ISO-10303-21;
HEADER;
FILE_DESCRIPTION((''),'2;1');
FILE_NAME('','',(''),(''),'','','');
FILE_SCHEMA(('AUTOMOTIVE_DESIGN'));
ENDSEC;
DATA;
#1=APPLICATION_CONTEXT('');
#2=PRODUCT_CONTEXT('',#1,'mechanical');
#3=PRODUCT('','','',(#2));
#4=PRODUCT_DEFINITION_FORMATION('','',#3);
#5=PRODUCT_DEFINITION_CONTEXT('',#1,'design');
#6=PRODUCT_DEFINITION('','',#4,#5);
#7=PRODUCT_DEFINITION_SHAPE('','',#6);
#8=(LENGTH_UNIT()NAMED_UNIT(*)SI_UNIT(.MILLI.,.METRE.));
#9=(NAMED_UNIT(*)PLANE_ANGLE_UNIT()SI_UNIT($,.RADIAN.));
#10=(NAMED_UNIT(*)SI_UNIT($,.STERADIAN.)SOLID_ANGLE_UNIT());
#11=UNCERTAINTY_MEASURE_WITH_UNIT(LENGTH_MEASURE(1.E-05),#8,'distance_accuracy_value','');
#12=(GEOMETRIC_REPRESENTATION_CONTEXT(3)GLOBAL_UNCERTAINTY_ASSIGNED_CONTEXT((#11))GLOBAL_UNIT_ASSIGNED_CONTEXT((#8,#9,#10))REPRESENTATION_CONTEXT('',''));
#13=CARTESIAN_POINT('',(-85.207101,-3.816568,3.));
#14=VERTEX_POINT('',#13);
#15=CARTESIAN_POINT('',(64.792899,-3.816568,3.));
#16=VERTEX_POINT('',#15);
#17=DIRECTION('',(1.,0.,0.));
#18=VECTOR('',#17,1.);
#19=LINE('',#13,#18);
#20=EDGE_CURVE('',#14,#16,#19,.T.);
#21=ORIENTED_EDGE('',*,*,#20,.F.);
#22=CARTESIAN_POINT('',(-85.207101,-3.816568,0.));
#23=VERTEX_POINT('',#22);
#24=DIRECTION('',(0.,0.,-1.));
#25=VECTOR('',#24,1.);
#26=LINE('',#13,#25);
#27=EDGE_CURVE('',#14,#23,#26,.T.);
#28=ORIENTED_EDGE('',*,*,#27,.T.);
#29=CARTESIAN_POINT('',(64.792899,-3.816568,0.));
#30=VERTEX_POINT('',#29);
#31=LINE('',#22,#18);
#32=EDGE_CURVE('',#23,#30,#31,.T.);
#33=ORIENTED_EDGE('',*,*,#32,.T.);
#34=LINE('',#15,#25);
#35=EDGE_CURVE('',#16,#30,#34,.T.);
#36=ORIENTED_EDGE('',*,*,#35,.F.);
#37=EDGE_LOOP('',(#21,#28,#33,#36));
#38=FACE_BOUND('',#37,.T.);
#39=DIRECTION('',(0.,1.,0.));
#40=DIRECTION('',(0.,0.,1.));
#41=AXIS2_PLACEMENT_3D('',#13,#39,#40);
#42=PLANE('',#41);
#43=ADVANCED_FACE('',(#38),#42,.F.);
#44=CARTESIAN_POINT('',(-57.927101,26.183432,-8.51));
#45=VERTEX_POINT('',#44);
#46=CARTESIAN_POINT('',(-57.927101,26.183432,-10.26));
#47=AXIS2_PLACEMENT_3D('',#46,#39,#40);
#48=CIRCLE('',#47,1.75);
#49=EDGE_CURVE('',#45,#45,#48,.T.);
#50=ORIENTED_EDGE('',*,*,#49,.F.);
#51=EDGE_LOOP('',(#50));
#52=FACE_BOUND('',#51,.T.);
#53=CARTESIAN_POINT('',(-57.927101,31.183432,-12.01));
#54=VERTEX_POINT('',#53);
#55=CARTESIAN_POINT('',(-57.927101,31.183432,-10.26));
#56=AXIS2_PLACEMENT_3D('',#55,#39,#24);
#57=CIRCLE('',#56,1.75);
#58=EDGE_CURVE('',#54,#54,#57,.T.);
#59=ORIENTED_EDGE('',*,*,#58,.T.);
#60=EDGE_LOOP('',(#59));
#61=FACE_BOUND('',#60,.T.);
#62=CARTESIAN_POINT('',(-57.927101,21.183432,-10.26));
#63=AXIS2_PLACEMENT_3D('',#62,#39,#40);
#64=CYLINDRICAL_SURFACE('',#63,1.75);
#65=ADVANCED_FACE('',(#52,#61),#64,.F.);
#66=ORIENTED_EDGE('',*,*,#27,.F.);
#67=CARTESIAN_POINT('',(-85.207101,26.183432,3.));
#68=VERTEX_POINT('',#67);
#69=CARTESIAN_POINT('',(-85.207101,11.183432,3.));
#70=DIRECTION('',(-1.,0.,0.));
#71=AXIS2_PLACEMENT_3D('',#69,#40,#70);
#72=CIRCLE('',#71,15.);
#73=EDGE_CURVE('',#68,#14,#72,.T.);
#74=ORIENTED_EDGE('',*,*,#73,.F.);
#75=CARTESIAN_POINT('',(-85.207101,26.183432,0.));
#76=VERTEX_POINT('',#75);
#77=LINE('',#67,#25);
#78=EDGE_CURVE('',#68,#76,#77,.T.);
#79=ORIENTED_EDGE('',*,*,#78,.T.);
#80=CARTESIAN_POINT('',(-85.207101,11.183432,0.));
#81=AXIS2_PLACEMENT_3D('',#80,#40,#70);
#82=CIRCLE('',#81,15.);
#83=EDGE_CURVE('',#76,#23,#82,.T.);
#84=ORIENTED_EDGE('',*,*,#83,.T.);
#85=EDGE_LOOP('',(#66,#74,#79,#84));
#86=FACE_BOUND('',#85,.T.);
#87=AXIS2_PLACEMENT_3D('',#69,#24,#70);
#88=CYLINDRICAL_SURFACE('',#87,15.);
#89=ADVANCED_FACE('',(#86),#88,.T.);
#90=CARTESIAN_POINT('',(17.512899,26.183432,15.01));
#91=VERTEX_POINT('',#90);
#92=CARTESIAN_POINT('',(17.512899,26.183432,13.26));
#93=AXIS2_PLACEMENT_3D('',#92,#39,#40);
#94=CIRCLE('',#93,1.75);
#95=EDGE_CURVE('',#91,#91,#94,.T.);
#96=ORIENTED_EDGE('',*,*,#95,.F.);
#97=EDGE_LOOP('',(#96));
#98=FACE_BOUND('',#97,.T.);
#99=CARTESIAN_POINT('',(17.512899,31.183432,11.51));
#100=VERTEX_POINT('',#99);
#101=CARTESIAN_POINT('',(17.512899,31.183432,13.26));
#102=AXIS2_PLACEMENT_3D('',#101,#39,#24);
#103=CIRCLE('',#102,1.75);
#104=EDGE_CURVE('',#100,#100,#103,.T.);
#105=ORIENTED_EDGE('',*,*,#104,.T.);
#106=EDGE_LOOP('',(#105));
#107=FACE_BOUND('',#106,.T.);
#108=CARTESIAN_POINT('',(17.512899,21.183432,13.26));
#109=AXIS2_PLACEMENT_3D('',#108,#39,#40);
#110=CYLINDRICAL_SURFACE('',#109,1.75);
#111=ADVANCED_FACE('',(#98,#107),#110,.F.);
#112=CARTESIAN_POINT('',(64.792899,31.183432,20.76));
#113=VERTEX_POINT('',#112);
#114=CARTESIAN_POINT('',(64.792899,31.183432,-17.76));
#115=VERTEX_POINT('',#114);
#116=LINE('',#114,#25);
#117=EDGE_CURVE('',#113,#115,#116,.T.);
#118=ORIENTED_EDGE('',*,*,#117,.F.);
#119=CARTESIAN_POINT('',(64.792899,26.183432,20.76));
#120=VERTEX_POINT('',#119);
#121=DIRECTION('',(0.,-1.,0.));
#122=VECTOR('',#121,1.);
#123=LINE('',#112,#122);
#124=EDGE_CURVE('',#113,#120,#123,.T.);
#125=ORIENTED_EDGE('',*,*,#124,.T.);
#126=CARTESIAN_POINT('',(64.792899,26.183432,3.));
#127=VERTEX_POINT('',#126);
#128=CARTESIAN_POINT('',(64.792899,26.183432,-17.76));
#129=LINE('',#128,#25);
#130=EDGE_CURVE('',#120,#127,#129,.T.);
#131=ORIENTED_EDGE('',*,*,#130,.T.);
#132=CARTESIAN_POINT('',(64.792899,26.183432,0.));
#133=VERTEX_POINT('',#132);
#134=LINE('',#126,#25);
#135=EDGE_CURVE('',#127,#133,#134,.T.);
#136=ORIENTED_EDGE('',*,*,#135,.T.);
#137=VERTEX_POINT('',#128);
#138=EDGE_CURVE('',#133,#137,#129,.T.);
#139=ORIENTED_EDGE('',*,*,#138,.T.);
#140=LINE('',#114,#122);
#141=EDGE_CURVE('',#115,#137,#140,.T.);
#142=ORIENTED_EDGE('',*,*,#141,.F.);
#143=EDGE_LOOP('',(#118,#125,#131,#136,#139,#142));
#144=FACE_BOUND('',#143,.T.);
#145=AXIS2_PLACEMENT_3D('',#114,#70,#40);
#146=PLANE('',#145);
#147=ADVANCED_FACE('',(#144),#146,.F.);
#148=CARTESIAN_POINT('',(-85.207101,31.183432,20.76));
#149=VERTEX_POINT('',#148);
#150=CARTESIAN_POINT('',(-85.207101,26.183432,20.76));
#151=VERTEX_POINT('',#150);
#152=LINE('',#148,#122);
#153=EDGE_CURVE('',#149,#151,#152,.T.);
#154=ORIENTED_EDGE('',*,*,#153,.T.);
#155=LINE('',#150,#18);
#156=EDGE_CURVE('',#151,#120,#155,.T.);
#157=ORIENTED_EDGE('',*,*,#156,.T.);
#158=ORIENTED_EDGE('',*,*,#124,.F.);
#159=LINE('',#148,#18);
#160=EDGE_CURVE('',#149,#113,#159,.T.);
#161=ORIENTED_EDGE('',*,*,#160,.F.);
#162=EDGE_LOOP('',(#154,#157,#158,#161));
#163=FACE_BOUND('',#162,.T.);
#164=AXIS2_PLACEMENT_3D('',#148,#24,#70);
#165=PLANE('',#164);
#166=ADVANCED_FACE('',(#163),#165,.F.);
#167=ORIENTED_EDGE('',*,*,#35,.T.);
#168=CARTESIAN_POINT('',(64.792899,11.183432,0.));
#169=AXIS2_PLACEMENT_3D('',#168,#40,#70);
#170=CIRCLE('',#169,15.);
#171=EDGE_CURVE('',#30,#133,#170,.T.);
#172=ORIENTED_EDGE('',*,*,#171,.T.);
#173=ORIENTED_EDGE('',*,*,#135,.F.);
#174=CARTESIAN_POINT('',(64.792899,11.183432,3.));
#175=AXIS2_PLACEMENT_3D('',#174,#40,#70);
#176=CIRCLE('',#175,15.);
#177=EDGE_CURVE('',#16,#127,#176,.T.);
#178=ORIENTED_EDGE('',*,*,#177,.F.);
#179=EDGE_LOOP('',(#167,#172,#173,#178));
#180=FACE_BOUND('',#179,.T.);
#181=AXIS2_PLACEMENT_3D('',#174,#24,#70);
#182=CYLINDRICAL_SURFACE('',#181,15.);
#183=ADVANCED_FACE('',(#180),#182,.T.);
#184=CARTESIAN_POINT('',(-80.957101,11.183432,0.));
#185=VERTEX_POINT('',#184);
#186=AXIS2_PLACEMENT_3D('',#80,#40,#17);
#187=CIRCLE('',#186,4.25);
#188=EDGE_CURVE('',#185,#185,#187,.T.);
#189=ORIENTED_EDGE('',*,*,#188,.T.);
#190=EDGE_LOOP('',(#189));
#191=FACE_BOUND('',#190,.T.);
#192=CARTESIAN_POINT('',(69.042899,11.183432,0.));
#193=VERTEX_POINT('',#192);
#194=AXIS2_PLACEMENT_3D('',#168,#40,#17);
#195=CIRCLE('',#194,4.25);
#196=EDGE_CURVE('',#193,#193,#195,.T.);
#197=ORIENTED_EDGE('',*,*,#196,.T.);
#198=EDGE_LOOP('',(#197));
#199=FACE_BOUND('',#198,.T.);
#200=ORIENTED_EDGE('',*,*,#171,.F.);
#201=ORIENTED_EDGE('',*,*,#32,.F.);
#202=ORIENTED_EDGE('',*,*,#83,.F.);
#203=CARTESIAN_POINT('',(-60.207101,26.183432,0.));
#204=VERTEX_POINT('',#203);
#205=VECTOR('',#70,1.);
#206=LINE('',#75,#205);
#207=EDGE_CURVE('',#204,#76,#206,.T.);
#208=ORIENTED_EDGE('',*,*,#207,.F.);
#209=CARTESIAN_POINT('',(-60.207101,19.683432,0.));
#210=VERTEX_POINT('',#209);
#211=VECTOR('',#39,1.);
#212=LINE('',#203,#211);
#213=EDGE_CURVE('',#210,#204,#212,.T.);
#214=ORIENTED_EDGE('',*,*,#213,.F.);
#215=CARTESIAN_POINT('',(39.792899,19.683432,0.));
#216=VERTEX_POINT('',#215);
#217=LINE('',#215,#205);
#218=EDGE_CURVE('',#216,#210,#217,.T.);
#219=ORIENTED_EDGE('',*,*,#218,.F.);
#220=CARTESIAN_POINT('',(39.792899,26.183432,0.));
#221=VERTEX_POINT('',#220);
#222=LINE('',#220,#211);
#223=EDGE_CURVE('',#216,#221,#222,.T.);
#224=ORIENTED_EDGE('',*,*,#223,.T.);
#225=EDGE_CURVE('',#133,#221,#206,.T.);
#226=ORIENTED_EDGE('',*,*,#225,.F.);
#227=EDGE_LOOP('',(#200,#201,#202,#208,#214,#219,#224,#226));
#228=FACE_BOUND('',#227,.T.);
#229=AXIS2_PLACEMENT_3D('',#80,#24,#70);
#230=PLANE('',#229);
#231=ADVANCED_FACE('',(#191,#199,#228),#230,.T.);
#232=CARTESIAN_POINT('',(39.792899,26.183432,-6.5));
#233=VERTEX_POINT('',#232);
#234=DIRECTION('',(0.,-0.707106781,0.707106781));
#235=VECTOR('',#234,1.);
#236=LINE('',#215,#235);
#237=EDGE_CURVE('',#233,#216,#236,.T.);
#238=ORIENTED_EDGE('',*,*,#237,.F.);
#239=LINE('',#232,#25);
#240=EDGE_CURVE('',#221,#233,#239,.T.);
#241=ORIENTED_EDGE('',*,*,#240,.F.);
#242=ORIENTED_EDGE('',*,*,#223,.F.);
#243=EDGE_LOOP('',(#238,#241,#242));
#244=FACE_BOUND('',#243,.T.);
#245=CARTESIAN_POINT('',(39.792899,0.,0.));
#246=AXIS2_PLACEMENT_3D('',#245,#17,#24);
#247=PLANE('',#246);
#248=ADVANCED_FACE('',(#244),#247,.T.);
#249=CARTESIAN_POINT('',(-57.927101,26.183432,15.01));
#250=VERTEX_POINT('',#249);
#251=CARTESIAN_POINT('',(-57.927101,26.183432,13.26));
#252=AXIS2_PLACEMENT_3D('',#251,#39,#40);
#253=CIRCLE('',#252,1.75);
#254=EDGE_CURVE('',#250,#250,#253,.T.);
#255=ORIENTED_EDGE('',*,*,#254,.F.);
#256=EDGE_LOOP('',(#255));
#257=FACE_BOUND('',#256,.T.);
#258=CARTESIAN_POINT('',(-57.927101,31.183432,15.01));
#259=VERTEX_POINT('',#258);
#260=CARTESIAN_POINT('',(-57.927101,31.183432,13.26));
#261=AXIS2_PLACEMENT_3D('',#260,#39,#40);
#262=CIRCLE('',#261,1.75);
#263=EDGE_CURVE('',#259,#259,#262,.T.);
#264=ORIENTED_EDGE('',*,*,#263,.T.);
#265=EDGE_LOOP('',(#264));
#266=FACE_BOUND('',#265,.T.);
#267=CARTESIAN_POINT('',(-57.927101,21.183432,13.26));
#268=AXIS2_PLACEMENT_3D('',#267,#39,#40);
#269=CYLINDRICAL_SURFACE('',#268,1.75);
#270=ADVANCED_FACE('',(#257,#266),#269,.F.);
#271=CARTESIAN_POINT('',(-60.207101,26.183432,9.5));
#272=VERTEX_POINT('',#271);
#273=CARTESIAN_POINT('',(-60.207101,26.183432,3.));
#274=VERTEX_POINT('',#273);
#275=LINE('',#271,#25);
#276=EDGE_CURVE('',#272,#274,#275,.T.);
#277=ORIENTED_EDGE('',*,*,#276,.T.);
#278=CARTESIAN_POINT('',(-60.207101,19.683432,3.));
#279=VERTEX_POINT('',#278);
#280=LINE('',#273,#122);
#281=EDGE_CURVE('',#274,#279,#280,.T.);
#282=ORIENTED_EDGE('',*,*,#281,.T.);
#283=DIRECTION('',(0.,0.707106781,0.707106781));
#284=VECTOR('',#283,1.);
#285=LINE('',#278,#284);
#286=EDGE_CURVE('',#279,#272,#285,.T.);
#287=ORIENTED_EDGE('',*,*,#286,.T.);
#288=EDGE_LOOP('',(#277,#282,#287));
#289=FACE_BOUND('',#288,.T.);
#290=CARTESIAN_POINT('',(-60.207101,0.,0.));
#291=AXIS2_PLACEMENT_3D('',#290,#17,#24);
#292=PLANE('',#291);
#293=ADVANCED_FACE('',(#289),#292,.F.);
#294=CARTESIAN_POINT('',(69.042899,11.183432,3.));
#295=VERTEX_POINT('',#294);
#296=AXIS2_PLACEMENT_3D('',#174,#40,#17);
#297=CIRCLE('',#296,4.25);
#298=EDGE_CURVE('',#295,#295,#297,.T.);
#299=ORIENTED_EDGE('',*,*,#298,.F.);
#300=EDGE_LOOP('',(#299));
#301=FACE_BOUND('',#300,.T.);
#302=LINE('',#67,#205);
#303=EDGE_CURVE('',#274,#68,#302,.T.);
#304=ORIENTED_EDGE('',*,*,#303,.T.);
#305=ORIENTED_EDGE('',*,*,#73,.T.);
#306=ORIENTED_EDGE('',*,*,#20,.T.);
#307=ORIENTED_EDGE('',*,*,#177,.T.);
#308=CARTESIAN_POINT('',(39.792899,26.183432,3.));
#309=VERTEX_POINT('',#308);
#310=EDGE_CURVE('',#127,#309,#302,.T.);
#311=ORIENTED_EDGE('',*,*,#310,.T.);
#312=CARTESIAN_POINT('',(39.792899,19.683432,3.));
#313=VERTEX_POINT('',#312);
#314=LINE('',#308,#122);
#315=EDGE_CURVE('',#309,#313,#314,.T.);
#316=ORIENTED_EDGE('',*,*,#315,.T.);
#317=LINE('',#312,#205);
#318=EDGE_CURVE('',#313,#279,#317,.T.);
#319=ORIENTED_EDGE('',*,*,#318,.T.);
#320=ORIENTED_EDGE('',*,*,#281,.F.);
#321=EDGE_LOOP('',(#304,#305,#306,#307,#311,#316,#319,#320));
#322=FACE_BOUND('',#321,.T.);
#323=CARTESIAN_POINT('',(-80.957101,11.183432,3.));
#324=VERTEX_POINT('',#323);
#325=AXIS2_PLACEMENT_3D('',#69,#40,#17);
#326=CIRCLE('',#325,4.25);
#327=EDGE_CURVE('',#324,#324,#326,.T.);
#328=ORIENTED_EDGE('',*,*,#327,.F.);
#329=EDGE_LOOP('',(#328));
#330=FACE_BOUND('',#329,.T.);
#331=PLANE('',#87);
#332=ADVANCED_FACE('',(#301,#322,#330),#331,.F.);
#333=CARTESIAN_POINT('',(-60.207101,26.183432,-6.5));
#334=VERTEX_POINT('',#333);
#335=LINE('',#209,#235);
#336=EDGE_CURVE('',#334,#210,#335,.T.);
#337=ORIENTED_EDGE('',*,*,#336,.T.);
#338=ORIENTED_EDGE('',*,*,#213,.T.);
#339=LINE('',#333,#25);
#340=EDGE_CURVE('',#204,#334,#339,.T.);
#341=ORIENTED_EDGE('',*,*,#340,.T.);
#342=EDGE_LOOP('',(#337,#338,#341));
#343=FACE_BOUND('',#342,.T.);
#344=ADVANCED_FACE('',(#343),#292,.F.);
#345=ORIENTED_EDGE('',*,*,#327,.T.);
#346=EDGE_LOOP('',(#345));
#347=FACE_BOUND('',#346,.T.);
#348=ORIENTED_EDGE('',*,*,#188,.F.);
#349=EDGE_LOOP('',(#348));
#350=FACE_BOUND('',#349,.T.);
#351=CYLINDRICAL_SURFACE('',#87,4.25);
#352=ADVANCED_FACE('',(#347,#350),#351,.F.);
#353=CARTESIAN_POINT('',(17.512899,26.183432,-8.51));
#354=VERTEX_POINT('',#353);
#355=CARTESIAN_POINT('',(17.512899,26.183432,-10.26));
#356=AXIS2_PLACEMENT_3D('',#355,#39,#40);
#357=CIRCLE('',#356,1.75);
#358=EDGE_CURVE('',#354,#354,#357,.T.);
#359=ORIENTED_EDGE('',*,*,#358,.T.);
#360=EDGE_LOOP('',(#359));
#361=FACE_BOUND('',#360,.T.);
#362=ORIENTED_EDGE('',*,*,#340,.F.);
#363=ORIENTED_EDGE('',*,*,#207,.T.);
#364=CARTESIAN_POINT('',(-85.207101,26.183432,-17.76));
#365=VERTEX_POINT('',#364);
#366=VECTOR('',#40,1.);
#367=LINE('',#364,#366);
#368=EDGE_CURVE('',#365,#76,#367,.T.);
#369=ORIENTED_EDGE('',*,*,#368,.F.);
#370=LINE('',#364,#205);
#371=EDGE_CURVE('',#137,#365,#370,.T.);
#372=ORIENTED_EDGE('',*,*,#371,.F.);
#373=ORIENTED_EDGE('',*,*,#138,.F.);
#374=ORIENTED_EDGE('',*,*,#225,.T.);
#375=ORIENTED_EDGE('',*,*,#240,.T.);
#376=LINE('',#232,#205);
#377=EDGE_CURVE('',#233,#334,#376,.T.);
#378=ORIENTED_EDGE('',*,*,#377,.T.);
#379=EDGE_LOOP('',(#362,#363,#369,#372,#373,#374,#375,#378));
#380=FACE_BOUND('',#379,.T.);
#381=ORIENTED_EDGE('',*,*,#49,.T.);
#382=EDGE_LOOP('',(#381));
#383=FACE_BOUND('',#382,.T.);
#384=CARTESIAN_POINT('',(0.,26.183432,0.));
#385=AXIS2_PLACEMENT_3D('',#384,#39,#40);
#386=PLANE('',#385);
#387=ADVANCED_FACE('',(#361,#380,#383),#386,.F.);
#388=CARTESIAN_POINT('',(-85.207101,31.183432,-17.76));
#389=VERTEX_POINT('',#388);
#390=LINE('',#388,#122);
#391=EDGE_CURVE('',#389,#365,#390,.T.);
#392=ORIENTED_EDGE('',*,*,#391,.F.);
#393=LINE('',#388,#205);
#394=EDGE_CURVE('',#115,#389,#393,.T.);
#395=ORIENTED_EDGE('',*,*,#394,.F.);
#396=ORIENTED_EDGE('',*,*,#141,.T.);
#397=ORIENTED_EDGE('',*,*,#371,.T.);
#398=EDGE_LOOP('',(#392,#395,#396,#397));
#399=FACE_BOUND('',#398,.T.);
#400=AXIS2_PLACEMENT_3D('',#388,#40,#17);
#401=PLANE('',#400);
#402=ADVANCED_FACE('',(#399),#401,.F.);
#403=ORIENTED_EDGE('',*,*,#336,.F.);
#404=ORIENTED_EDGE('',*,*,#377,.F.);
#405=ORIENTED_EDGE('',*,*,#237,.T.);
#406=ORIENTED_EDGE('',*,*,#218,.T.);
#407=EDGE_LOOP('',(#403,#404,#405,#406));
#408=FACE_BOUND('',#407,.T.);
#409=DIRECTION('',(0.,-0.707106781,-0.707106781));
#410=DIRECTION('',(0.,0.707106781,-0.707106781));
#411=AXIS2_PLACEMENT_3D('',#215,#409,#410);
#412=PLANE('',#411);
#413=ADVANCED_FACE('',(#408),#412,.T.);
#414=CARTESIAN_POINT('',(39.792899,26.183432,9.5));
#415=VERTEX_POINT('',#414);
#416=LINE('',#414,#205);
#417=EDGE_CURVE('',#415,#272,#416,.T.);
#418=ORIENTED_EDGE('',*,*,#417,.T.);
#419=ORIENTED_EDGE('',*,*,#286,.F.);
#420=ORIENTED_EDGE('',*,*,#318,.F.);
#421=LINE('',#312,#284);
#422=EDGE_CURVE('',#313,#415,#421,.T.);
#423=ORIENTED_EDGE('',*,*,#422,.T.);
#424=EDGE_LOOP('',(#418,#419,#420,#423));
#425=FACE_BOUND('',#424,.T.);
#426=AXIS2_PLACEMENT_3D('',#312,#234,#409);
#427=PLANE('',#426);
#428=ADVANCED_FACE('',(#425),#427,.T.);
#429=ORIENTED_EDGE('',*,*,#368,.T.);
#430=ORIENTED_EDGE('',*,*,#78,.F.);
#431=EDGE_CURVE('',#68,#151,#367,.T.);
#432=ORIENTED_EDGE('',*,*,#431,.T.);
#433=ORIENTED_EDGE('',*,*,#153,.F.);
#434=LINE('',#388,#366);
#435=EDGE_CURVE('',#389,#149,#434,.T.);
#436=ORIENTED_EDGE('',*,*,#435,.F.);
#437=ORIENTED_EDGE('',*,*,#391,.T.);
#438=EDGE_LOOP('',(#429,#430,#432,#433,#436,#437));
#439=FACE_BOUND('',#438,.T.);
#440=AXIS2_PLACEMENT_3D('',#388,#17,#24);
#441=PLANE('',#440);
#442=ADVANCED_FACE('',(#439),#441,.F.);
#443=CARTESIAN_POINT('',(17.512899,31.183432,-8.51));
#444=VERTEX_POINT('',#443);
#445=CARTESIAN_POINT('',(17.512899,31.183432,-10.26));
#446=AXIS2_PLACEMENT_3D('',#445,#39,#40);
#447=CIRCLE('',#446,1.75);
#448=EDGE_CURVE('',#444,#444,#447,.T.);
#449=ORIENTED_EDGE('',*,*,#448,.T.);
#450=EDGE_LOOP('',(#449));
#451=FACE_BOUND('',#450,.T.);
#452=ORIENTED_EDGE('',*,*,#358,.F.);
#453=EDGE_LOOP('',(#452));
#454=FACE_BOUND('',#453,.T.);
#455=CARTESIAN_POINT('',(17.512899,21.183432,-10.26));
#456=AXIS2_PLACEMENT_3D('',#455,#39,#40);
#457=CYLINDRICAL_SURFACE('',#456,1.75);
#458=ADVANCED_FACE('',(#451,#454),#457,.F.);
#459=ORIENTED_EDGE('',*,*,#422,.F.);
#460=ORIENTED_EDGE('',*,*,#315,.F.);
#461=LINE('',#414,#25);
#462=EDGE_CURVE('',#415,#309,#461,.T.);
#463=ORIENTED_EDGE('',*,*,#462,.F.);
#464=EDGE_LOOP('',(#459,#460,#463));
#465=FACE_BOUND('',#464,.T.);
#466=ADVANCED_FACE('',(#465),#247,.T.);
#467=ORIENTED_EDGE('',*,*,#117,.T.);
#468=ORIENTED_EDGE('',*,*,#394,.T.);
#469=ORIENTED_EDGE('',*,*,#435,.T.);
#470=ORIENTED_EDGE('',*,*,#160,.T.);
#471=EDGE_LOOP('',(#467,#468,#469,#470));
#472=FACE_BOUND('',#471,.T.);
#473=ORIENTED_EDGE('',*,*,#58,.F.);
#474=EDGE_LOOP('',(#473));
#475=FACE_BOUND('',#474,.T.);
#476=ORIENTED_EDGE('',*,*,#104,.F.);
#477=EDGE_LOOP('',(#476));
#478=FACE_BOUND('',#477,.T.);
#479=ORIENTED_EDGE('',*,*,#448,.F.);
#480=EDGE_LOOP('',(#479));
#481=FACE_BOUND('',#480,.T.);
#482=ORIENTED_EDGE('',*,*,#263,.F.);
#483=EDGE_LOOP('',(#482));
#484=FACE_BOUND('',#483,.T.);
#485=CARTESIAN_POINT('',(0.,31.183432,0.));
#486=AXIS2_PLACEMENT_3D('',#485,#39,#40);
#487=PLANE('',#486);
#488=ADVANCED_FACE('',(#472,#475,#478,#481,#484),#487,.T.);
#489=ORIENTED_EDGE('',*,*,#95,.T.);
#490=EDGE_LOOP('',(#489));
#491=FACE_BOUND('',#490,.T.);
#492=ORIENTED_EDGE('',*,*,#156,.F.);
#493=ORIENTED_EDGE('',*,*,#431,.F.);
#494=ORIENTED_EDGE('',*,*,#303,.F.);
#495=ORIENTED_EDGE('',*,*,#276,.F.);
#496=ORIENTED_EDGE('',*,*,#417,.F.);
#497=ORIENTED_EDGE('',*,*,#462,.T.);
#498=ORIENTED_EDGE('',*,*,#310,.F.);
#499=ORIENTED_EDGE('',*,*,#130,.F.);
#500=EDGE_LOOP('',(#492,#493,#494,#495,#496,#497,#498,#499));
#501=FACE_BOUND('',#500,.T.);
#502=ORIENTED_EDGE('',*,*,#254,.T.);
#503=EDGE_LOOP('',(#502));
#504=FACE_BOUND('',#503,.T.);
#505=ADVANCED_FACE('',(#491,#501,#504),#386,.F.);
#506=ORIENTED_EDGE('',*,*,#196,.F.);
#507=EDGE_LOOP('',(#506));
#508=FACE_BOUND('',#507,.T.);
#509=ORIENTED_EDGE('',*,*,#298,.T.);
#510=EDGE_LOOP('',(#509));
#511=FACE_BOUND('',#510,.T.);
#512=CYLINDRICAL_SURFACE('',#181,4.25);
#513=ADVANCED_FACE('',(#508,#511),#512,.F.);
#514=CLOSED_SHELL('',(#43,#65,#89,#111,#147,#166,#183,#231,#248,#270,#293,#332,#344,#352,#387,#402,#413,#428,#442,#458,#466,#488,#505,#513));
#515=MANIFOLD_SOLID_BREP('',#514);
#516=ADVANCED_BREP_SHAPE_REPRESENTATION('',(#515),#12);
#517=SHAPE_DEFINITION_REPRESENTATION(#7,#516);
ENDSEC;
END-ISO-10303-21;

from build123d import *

# Parameters (mm, degrees)
ESBO_O1_R                = 4.25
RESSALTO_EXTRUS_O1_DEPTH = 3
ESBO_O2_W                = 150
ESBO_O2_H                = 38.52
RESSALTO_EXTRUS_O2_DEPTH = 5
RESSALTO_EXTRUS_O3_START = -25
RESSALTO_EXTRUS_O3_DEPTH = 100
ESBO_O4_R                = 1.75
CORTE_EXTRUS_O1_DEPTH    = 10


with BuildPart() as part:
    # Esboço1 → Ressalto-extrusão1 (new body)
    with BuildSketch(Plane.XY):
        with BuildLine():
            Line((-85.207100592, 26.183431953), (64.792899408, 26.183431953))
            ThreePointArc((64.792899408, 26.183431953), (79.792899408, 11.183431953), (64.792899408, -3.816568047))
            Line((64.792899408, -3.816568047), (-85.207100592, -3.816568047))
            ThreePointArc((-85.207100592, -3.816568047), (-100.207100592, 11.183431953), (-85.207100592, 26.183431953))
        make_face()
        with Locations((-85.207100592, 11.183431953)):
            Circle(ESBO_O1_R, mode=Mode.SUBTRACT)
        with Locations((64.792899408, 11.183431953)):
            Circle(ESBO_O1_R, mode=Mode.SUBTRACT)
    extrude(amount=RESSALTO_EXTRUS_O1_DEPTH)

    # Esboço2 → Ressalto-extrusão2 (add)
    with BuildSketch(Plane(origin=(0, 26.183431953, 0), x_dir=(1, 0, 0), z_dir=(0, 1, 0))):
        with Locations((-10.207100592, -1.5)):
            Rectangle(ESBO_O2_W, ESBO_O2_H)
    extrude(amount=RESSALTO_EXTRUS_O2_DEPTH)

    # Esboço3 → Ressalto-extrusão3 (add)
    with BuildSketch(Plane.ZY.offset(85.207100592).offset(RESSALTO_EXTRUS_O3_START)):
        Polygon((3, 19.683431953), (9.5, 26.183431953), (3, 26.183431953), align=None)
        Polygon((0, 26.183431953), (0, 19.683431953), (-6.5, 26.183431953), align=None)
    extrude(amount=-RESSALTO_EXTRUS_O3_DEPTH)

    # Esboço4 → Corte-extrusão1 (cut)
    with BuildSketch(Plane(origin=(0, 31.183431953, 0), x_dir=(1, 0, 0), z_dir=(0, 1, 0))):
        with Locations(Location((17.512899408, 10.26, 0), (0, 0, 270))):
            Circle(ESBO_O4_R)
        with Locations(Location((17.512899408, -13.26, 0), (0, 0, 270))):
            Circle(ESBO_O4_R)
        with Locations(Location((-57.927100592, -13.26, 0), (0, 0, 270))):
            Circle(ESBO_O4_R)
        with Locations(Location((-57.927100592, 10.26, 0), (0, 0, 270))):
            Circle(ESBO_O4_R)
    extrude(amount=-CORTE_EXTRUS_O1_DEPTH, mode=Mode.SUBTRACT)


solid = part.part
